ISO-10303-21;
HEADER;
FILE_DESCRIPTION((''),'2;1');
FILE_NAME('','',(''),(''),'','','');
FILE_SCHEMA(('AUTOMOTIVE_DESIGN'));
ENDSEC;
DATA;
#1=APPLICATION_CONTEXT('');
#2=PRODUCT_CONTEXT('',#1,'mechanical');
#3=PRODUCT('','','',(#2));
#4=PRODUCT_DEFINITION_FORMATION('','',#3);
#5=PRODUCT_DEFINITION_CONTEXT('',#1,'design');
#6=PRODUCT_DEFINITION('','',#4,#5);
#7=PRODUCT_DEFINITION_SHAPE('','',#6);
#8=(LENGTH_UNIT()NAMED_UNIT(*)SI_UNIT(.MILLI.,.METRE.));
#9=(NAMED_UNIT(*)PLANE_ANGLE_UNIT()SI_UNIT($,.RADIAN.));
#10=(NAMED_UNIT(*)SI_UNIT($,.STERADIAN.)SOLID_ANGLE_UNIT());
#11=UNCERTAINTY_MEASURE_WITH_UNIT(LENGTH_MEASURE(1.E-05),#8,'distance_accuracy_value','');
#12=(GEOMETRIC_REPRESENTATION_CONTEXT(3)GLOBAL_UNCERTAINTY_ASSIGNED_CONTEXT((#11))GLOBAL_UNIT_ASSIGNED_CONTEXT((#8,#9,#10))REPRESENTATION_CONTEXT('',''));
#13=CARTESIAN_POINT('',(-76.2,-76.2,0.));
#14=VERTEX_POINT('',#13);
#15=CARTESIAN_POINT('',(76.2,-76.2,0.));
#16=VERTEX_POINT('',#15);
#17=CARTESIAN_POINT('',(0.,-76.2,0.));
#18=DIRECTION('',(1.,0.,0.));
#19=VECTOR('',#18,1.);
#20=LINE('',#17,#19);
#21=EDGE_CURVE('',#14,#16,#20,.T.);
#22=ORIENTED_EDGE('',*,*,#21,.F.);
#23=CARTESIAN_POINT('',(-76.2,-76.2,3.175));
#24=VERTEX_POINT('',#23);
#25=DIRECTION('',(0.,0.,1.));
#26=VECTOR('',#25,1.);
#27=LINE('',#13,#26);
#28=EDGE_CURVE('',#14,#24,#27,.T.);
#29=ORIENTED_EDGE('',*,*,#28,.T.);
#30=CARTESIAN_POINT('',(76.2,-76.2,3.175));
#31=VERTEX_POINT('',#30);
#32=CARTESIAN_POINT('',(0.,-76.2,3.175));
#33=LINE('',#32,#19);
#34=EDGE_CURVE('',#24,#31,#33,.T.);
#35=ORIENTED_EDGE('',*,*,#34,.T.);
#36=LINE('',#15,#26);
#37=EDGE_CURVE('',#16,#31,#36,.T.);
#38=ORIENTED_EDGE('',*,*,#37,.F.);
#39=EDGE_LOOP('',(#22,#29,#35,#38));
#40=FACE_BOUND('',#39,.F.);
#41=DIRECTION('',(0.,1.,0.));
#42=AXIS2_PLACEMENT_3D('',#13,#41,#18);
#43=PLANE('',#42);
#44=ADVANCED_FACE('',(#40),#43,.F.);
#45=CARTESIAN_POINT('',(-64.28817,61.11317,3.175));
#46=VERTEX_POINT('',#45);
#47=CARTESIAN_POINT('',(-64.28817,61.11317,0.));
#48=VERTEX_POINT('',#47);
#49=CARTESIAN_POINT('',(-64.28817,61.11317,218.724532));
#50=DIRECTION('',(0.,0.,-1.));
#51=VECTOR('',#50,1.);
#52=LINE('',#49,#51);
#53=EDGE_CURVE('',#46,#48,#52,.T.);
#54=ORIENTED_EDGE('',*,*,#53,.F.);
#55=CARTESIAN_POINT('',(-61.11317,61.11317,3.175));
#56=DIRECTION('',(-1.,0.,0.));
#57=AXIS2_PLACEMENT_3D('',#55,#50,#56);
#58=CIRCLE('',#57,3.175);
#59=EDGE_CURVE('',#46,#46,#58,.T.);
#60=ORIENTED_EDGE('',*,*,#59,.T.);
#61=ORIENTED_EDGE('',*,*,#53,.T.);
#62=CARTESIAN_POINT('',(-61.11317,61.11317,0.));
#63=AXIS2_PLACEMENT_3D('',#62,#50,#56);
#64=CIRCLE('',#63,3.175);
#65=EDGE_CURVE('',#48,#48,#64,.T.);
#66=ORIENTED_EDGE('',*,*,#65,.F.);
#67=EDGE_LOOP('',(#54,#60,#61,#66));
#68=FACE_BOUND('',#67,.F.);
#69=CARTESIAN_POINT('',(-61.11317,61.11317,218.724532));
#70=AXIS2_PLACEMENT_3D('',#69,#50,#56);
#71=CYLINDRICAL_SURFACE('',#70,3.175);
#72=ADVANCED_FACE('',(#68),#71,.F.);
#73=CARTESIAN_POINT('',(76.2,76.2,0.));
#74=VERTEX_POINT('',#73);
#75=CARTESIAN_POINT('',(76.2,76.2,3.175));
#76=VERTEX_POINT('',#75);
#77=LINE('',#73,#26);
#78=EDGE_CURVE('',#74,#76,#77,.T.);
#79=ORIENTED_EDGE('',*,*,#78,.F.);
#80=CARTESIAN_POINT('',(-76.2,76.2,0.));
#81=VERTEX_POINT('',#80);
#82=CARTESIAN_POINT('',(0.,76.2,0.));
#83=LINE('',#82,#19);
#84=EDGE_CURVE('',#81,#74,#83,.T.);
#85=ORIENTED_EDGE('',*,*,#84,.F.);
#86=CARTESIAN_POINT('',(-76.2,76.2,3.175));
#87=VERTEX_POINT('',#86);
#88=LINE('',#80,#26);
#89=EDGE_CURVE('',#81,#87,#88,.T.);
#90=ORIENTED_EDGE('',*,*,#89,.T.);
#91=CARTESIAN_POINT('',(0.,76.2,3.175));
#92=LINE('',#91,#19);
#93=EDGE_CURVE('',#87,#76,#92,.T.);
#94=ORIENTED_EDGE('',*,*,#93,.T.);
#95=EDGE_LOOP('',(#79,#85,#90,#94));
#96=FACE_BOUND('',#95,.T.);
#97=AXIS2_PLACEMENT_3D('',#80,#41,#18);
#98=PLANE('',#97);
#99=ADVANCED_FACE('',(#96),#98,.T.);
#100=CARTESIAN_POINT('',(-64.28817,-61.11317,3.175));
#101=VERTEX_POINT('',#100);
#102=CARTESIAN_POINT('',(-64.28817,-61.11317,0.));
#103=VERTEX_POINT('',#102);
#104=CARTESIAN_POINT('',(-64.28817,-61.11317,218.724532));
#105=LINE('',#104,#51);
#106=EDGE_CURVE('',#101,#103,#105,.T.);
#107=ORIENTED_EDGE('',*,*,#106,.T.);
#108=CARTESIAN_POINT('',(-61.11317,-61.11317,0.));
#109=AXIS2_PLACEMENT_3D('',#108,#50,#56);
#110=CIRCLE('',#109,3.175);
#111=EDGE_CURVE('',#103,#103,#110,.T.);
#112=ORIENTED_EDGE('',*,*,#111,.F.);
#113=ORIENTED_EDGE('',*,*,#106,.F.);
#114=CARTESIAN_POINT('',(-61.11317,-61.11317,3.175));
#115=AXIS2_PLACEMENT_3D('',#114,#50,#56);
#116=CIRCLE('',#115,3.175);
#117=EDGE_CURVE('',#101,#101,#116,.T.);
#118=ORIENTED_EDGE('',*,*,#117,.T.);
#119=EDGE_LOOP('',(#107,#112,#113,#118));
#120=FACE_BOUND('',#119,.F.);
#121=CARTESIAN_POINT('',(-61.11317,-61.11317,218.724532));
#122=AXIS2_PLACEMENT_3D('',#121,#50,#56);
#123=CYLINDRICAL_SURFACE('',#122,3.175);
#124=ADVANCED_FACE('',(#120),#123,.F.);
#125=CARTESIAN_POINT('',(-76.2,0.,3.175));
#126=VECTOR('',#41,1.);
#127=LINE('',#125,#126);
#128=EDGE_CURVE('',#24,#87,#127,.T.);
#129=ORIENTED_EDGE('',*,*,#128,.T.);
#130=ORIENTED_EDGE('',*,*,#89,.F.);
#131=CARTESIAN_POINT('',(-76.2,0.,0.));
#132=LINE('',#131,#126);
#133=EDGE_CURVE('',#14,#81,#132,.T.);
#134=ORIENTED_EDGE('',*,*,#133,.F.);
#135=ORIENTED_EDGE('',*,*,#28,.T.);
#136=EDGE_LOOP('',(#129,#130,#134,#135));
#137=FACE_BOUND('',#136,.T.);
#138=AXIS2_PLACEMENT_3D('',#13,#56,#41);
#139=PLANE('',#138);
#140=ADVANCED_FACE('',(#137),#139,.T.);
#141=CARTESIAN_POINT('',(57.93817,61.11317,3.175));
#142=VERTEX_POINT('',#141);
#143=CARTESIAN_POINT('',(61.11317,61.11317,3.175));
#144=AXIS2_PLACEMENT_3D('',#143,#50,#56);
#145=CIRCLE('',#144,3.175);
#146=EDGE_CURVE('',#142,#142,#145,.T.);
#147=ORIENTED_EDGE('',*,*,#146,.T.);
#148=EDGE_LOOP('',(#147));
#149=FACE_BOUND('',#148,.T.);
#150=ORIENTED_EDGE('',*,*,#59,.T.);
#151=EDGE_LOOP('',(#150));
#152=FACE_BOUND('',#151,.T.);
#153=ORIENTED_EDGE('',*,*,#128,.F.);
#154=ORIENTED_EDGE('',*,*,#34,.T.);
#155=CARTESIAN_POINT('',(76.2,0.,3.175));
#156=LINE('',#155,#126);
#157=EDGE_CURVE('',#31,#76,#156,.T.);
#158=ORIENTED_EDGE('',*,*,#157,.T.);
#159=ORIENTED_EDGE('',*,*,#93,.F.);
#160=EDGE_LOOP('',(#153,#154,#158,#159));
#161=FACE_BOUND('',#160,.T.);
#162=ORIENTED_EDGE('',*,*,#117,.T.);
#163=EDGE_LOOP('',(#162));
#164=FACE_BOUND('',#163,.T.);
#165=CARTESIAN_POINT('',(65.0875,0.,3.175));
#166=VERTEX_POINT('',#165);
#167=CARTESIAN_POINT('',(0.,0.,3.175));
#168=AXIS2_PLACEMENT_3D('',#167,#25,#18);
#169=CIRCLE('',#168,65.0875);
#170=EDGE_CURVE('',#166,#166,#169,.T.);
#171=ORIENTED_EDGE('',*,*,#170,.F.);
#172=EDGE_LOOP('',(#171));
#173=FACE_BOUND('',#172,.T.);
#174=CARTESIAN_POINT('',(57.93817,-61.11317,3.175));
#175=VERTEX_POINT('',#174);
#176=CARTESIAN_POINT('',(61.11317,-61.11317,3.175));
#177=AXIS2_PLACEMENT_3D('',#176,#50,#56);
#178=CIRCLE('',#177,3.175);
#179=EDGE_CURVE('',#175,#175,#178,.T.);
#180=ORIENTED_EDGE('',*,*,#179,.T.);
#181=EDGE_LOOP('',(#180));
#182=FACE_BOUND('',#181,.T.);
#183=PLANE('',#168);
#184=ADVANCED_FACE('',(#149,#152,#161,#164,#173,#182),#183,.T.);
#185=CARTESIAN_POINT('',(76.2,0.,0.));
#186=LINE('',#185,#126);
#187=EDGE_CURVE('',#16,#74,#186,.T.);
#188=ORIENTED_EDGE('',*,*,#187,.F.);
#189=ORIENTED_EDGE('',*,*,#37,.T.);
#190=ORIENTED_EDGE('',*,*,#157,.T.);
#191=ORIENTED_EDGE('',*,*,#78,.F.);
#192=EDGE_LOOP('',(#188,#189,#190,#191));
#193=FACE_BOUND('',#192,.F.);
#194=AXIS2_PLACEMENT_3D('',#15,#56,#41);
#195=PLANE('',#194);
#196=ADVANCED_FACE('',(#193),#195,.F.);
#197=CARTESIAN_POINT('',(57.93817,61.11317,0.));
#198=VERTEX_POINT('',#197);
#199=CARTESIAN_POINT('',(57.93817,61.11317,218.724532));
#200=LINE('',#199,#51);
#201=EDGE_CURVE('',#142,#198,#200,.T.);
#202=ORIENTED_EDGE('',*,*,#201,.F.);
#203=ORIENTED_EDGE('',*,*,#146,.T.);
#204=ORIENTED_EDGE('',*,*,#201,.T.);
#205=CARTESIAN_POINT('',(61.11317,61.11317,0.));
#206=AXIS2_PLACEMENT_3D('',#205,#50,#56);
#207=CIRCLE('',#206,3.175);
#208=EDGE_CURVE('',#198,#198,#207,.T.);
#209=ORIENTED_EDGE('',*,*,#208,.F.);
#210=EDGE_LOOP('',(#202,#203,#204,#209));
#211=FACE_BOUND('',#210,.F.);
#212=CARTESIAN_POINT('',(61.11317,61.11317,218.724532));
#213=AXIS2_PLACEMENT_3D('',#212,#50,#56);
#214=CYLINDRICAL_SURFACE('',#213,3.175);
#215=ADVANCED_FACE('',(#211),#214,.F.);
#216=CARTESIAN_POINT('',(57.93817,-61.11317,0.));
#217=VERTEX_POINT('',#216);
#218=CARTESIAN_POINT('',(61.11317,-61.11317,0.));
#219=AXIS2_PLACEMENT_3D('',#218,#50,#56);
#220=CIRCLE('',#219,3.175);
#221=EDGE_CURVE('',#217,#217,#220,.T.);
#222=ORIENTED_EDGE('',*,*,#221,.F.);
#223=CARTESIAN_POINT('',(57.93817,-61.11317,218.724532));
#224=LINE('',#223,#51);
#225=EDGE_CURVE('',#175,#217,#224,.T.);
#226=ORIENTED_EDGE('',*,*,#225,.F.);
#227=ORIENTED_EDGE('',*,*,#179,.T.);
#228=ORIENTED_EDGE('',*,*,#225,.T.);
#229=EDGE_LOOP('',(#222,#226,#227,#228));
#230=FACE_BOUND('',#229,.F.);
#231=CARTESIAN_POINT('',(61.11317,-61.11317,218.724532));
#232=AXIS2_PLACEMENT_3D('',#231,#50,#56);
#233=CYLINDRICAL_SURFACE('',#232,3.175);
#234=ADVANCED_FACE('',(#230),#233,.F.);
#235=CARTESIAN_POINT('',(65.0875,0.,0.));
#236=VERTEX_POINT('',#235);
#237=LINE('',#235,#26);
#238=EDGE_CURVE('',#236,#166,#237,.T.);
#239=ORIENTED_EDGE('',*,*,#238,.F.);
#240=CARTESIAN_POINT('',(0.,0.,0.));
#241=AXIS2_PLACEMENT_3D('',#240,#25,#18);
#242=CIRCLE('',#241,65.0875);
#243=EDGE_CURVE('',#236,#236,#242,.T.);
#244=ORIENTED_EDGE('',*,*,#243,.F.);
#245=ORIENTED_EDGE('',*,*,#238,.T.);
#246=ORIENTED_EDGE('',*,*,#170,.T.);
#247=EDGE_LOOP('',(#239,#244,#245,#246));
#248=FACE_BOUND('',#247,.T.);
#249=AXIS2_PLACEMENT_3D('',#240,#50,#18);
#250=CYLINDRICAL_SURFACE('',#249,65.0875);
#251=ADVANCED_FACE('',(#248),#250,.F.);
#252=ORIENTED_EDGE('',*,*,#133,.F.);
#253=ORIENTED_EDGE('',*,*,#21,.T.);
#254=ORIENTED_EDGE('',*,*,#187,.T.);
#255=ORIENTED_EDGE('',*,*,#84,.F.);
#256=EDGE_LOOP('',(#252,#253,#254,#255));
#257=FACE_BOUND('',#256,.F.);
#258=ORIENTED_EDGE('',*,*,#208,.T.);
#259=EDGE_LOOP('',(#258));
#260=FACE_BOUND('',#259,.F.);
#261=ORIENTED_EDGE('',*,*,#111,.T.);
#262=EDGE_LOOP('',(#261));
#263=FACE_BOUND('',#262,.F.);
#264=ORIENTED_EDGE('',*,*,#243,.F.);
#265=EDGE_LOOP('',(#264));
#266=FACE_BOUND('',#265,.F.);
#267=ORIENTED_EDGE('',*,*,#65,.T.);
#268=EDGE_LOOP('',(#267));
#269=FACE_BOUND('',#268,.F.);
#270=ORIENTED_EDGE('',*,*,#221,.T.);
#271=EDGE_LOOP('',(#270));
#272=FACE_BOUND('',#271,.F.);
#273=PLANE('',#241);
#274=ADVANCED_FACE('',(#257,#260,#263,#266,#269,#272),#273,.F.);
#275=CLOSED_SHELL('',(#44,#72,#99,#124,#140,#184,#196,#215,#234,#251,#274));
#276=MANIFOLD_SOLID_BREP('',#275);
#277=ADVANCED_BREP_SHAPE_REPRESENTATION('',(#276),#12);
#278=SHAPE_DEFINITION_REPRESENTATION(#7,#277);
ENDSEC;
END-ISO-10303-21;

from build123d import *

# Parameters (mm, degrees)
F0_W     = 152.4
F0_H     = 152.4
F0_R     = 65.0875
F1_DEPTH = 3.175
F3_D     = 6.35


with BuildPart() as f1:
    # F0 (on Top) → F1 (new body)
    with BuildSketch(Plane.XY):
        Rectangle(F0_W, F0_H)
        Circle(F0_R, mode=Mode.SUBTRACT)
    extrude(amount=F1_DEPTH)

    # F3 (through all)
    with Locations(Plane.XY.offset(3.175)):
        with Locations((-61.11317, -61.11317), (61.11317, -61.11317), (61.11317, 61.11317), (-61.11317, 61.11317)):
            Hole(F3_D / 2)


solid = f1.part
